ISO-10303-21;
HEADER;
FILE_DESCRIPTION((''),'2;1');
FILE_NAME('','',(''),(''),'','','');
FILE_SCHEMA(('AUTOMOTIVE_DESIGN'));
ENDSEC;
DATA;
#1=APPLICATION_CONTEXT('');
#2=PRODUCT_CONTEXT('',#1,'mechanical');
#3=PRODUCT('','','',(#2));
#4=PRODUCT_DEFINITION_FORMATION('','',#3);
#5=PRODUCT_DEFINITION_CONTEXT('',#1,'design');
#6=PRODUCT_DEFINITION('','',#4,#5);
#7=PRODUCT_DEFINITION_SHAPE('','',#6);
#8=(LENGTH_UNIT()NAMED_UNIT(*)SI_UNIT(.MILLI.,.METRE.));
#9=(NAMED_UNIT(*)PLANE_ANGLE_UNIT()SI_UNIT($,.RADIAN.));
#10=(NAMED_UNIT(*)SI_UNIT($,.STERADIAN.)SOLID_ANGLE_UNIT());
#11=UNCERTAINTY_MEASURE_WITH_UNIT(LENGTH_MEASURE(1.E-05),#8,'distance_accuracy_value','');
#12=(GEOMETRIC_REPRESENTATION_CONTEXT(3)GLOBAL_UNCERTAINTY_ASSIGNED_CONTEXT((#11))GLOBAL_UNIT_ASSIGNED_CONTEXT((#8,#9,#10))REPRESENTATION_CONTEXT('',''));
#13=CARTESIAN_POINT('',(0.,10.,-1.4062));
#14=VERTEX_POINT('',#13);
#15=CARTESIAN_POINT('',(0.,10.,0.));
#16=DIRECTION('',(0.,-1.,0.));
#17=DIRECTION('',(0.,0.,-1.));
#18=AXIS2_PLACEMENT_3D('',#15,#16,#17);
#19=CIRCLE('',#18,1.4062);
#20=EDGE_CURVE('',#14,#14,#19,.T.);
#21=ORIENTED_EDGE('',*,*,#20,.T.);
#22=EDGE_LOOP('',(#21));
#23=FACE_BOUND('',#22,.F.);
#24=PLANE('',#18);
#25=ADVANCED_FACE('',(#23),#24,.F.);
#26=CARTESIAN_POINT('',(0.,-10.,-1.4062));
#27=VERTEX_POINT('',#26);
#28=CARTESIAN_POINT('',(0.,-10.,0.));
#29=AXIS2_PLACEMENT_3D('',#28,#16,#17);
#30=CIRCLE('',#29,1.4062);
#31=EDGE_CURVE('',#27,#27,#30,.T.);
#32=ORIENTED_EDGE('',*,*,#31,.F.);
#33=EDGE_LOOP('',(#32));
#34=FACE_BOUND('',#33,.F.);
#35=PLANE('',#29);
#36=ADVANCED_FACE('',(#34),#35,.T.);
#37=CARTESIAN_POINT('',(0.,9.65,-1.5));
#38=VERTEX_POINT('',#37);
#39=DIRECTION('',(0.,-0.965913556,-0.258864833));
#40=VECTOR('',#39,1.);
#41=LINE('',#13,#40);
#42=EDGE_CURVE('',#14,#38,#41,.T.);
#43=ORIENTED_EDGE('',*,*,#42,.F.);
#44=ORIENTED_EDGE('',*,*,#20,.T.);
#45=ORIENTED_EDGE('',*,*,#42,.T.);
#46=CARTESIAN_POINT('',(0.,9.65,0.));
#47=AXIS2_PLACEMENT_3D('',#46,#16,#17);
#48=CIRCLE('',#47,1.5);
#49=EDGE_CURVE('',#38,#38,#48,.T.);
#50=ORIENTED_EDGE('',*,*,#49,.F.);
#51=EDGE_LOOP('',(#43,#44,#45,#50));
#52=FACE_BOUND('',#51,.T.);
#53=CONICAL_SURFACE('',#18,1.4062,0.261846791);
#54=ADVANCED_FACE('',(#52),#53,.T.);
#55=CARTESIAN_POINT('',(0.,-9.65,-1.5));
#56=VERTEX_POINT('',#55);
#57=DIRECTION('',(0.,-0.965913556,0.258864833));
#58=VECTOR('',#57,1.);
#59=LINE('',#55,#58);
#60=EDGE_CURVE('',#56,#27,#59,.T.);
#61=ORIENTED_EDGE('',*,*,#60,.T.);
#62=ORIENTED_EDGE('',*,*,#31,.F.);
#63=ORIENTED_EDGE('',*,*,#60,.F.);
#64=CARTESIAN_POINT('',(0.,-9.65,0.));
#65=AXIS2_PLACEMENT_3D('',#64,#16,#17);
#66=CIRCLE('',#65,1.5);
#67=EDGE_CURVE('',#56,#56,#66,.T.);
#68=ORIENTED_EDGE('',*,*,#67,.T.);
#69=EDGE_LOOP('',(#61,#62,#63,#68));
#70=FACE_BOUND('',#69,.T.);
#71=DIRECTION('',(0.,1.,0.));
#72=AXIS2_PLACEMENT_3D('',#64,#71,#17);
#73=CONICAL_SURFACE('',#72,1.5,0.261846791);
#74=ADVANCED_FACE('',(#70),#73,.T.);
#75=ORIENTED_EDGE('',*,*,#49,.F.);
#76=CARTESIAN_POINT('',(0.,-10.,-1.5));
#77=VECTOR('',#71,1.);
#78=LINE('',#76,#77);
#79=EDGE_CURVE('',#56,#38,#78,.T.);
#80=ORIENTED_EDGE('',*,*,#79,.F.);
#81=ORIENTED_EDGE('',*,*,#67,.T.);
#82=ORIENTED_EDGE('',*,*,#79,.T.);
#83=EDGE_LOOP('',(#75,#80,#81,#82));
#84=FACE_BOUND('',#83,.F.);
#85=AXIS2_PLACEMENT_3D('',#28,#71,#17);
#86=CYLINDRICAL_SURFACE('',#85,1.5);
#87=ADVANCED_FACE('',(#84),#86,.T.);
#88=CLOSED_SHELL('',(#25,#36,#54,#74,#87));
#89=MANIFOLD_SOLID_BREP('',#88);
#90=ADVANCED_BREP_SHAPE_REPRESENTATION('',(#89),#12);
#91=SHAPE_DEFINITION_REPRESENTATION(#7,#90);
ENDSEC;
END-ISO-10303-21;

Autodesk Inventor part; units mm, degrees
ref_plane "YZ Plane" through (0, 0, 0) normal (1, 0, 0) x (0, 1, 0)
ref_plane "XZ Plane" through (0, 0, 0) normal (0, 1, 0) x (-1, 0, 0)
ref_plane "XY Plane" through (0, 0, 0) normal (0, 0, 1) x (1, 0, 0)
sketch "スケッチ2" plane through (0, 0, 0) normal (1, 0, 0) x (0, 1, 0)
  line L0 (10, 1.5) -> (-10, 1.5)
  line L1 (-10, 1.5) -> (-10, -1.5)
  line L2 (-10, -1.5) -> (10, -1.5)
  line L3 (10, -1.5) -> (10, 1.5)
  line L4 (10, 1.5) -> (-10, -1.5) construction
  line L5 (-10, 1.5) -> (10, -1.5) construction
  line L6 (10, -1.4062) -> (9.65, -1.5)
  line L7 (10, 0) -> (-10, 0)
  line L8 (-9.65, -1.5) -> (-10, -1.4062)
  point P0 (0, 0)
  dimension "d9" = 20
  dimension "d10" = 3
  dimension "d11" = 0.35
  dimension "d12" = 15
  dimension "d14" = 0.35
  dimension "d15" = 15
revolve "回転1" add sketch "スケッチ2" angle 360 about axis through (0, 10, 0) along (0, -1, 0) contours L3 L6 L2 L8 L1 L7
properties part number "f2w10" material "ステンレス鋼"
